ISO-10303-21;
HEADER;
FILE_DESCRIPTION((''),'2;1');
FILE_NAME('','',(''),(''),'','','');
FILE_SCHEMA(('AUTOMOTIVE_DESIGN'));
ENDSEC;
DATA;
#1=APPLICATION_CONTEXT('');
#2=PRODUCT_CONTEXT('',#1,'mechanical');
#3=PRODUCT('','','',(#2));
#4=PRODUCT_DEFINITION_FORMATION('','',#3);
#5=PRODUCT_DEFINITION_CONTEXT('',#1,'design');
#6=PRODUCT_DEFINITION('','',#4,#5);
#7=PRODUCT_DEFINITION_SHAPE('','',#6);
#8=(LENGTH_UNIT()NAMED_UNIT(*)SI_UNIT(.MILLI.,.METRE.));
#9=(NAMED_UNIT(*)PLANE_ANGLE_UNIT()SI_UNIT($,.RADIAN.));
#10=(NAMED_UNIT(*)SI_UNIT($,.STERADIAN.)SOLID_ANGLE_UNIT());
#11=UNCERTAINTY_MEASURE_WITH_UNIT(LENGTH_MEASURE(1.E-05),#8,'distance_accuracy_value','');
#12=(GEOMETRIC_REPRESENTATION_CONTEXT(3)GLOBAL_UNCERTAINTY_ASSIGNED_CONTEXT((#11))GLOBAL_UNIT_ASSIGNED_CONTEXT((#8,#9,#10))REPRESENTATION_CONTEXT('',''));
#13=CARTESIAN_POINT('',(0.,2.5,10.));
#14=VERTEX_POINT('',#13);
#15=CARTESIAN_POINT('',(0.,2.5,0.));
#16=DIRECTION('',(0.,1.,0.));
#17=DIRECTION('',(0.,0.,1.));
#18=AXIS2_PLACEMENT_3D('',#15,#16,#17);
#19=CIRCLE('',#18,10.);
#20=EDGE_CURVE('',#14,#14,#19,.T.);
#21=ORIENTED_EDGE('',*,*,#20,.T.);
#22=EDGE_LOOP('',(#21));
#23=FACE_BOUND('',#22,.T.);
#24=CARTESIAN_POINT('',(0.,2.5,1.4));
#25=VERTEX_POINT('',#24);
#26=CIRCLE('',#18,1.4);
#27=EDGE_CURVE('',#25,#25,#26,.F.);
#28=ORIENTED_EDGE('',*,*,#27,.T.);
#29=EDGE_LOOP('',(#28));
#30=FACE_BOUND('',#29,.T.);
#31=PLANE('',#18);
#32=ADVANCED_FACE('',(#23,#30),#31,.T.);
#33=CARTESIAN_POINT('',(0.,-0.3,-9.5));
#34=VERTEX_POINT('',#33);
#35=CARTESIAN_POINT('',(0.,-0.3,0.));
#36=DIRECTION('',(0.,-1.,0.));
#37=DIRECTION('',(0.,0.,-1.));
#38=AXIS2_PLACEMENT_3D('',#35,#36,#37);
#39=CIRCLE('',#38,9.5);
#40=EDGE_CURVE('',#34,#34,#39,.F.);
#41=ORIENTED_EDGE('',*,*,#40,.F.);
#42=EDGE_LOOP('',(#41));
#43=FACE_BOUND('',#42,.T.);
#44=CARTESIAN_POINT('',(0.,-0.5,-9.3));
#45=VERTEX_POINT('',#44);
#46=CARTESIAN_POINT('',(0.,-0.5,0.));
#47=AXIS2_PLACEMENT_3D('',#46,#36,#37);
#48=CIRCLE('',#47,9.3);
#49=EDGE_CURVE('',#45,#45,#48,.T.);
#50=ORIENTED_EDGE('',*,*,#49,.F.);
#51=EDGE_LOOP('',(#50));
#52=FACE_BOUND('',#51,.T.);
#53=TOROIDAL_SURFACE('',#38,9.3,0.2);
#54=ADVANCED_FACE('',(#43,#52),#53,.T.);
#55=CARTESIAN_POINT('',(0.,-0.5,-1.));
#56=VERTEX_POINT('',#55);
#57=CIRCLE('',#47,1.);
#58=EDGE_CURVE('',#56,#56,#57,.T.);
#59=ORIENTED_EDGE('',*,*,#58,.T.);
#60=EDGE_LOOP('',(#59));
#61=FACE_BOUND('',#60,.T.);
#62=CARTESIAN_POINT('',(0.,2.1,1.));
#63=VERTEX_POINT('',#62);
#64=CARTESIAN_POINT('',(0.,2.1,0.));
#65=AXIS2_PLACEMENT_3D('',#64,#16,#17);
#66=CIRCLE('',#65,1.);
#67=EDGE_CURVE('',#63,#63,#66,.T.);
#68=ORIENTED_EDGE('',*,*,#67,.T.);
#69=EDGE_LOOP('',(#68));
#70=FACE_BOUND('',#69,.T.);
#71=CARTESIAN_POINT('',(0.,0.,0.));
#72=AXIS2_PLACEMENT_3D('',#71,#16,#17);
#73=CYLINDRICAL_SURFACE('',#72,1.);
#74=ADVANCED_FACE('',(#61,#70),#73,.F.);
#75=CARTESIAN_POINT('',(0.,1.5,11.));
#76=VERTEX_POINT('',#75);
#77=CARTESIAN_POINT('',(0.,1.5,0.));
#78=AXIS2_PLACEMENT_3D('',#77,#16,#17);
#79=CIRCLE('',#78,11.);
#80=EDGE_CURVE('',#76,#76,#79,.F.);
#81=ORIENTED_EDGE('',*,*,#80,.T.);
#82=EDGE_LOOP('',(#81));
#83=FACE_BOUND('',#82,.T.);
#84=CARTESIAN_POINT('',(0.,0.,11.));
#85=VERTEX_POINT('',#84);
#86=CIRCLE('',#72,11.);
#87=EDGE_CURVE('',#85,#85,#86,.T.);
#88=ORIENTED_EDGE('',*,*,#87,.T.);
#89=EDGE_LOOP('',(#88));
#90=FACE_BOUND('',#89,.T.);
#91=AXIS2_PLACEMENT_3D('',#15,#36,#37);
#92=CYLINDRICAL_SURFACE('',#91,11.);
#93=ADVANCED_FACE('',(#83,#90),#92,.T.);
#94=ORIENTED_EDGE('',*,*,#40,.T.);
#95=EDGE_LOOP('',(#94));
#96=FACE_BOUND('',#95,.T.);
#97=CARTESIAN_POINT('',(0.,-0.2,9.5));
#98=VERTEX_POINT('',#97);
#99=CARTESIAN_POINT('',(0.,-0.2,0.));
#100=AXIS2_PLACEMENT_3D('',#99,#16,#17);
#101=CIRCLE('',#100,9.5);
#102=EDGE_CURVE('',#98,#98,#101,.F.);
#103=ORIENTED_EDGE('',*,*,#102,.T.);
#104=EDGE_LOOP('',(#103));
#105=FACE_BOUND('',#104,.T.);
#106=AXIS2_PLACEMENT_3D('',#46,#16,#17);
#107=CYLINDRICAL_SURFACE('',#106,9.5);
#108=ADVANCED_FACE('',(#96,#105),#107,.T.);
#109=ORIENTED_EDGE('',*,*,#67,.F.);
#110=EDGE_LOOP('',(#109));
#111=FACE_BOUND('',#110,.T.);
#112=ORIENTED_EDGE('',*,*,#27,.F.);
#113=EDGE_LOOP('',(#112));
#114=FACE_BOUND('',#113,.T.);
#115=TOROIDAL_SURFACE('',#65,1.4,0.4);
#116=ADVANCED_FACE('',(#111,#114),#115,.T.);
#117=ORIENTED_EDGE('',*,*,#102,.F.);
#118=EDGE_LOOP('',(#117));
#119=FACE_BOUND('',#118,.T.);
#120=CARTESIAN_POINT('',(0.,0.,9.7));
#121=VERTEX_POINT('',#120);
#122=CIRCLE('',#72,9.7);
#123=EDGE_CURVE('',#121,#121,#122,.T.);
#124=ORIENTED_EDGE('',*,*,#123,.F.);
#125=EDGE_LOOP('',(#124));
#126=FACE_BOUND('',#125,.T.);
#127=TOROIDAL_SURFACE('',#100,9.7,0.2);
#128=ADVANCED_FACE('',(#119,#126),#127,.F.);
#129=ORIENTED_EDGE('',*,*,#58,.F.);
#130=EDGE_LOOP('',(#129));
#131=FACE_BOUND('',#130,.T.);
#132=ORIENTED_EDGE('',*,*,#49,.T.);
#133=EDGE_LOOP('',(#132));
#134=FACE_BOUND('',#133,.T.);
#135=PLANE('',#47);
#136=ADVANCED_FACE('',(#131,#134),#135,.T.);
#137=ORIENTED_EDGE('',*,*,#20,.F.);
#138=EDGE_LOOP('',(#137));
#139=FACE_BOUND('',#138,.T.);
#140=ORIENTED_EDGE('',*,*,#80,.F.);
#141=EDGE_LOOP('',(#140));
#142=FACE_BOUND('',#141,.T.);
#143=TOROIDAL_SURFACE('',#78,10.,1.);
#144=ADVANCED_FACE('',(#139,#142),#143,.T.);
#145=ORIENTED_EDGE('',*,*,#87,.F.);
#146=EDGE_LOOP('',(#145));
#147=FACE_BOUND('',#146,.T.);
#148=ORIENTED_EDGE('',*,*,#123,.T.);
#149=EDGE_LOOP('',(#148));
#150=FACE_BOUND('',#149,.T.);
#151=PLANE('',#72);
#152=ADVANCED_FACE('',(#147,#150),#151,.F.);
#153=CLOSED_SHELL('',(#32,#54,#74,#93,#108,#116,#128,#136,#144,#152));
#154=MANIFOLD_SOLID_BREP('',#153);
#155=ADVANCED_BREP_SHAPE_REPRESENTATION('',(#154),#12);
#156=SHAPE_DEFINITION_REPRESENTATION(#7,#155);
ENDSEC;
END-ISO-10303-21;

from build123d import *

# Parameters (mm, degrees)
SKETCH_1_R          = 11
EXTRUDE_1_DEPTH     = 2.5
SKETCH_2_R          = 1
CUT_EXTRUDE_1_DEPTH = 3.5
FILLET_1_R          = 0.4
FILLET_2_R          = 1
SKETCH_3_R          = 9.5
SKETCH_3_R_2        = 1
EXTRUDE_2_DEPTH     = 0.5
FILLET_3_R          = 0.2


with BuildPart() as part:
    # 草图1 → 凸台-拉伸1 (new body)
    with BuildSketch(Plane(origin=(0, 0, 0), x_dir=(1, 0, 0), z_dir=(0, 1, 0))):
        Circle(SKETCH_1_R)
    extrude(amount=EXTRUDE_1_DEPTH)

    # 草图2 → 切除-拉伸1 (cut, through all)
    with BuildSketch(Plane(origin=(0, 2.5, 0), x_dir=(1, 0, 0), z_dir=(0, 1, 0))):
        Circle(SKETCH_2_R)
    extrude(amount=-CUT_EXTRUDE_1_DEPTH, mode=Mode.SUBTRACT)

    # 圆角1
    fillet_1_edges = [part.edges().sort_by_distance(p)[0] for p in [
        (-1, 2.5, 0),
    ]]
    fillet(fillet_1_edges, radius=FILLET_1_R)

    # 圆角2
    fillet_2_edges = [part.edges().sort_by_distance(p)[0] for p in [
        (-11, 2.5, 0),
    ]]
    fillet(fillet_2_edges, radius=FILLET_2_R)

    # 草图3 → 凸台-拉伸2 (add)
    with BuildSketch(Plane.XZ):
        Circle(SKETCH_3_R)
        Circle(SKETCH_3_R_2, mode=Mode.SUBTRACT)
    extrude(amount=EXTRUDE_2_DEPTH)

    # 圆角3
    fillet_3_edges = [part.edges().sort_by_distance(p)[0] for p in [
        (-9.5, 0, 0),
        (-9.5, -0.5, 0),
    ]]
    fillet(fillet_3_edges, radius=FILLET_3_R)


solid = part.part
